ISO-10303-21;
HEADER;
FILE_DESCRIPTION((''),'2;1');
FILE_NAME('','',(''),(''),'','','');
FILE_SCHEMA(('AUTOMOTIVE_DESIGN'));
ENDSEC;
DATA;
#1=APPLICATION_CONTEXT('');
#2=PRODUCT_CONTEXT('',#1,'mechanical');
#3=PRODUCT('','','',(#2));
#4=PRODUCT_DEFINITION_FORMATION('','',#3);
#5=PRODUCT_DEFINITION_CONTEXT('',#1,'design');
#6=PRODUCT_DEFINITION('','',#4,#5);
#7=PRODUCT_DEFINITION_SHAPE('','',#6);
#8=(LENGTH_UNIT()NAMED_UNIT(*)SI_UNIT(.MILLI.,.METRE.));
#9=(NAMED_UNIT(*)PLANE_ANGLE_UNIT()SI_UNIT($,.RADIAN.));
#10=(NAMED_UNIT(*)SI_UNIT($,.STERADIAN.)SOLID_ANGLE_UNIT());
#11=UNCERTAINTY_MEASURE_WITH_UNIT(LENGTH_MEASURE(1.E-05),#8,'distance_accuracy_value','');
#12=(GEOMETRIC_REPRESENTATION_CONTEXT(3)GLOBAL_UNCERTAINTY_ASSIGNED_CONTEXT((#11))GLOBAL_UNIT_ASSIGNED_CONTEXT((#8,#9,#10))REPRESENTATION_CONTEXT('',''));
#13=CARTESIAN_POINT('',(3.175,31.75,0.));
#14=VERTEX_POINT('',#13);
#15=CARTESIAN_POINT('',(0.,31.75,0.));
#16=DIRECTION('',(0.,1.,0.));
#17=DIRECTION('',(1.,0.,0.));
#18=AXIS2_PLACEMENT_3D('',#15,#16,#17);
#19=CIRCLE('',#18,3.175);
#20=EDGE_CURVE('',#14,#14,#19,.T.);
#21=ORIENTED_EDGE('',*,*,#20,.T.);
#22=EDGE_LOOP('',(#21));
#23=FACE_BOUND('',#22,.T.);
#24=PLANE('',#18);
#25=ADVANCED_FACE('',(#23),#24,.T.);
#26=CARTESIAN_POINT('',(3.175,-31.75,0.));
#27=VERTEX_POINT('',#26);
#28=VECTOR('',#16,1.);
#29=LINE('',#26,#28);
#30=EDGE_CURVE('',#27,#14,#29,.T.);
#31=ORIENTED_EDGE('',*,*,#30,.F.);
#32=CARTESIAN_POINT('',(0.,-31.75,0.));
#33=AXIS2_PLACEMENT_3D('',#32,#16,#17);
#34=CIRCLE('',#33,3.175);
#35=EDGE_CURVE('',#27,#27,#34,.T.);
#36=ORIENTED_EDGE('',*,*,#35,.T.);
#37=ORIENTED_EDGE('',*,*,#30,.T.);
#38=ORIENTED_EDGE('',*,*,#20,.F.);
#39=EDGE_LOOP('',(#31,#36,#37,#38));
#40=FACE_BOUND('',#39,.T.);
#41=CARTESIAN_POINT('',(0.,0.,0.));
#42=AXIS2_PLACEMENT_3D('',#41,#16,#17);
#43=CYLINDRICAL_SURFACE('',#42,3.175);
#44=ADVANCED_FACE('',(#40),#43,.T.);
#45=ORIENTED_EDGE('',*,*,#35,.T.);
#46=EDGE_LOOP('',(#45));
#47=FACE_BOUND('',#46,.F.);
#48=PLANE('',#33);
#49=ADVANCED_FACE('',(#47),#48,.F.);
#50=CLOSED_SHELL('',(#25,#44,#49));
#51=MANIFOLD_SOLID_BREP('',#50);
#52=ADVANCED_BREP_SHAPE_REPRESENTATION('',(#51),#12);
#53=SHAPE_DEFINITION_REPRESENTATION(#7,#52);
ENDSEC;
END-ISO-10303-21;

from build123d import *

# Parameters (mm, degrees)
SKETCH1_R           = 3.175
BOSS_EXTRUDE1_DEPTH = 31.75


with BuildPart() as part:
    # Sketch1 → Boss-Extrude1 (new body, symmetric)
    with BuildSketch(Plane(origin=(0, 0, 0), x_dir=(1, 0, 0), z_dir=(0, 1, 0))):
        Circle(SKETCH1_R)
    extrude(amount=BOSS_EXTRUDE1_DEPTH, both=True)


solid = part.part
